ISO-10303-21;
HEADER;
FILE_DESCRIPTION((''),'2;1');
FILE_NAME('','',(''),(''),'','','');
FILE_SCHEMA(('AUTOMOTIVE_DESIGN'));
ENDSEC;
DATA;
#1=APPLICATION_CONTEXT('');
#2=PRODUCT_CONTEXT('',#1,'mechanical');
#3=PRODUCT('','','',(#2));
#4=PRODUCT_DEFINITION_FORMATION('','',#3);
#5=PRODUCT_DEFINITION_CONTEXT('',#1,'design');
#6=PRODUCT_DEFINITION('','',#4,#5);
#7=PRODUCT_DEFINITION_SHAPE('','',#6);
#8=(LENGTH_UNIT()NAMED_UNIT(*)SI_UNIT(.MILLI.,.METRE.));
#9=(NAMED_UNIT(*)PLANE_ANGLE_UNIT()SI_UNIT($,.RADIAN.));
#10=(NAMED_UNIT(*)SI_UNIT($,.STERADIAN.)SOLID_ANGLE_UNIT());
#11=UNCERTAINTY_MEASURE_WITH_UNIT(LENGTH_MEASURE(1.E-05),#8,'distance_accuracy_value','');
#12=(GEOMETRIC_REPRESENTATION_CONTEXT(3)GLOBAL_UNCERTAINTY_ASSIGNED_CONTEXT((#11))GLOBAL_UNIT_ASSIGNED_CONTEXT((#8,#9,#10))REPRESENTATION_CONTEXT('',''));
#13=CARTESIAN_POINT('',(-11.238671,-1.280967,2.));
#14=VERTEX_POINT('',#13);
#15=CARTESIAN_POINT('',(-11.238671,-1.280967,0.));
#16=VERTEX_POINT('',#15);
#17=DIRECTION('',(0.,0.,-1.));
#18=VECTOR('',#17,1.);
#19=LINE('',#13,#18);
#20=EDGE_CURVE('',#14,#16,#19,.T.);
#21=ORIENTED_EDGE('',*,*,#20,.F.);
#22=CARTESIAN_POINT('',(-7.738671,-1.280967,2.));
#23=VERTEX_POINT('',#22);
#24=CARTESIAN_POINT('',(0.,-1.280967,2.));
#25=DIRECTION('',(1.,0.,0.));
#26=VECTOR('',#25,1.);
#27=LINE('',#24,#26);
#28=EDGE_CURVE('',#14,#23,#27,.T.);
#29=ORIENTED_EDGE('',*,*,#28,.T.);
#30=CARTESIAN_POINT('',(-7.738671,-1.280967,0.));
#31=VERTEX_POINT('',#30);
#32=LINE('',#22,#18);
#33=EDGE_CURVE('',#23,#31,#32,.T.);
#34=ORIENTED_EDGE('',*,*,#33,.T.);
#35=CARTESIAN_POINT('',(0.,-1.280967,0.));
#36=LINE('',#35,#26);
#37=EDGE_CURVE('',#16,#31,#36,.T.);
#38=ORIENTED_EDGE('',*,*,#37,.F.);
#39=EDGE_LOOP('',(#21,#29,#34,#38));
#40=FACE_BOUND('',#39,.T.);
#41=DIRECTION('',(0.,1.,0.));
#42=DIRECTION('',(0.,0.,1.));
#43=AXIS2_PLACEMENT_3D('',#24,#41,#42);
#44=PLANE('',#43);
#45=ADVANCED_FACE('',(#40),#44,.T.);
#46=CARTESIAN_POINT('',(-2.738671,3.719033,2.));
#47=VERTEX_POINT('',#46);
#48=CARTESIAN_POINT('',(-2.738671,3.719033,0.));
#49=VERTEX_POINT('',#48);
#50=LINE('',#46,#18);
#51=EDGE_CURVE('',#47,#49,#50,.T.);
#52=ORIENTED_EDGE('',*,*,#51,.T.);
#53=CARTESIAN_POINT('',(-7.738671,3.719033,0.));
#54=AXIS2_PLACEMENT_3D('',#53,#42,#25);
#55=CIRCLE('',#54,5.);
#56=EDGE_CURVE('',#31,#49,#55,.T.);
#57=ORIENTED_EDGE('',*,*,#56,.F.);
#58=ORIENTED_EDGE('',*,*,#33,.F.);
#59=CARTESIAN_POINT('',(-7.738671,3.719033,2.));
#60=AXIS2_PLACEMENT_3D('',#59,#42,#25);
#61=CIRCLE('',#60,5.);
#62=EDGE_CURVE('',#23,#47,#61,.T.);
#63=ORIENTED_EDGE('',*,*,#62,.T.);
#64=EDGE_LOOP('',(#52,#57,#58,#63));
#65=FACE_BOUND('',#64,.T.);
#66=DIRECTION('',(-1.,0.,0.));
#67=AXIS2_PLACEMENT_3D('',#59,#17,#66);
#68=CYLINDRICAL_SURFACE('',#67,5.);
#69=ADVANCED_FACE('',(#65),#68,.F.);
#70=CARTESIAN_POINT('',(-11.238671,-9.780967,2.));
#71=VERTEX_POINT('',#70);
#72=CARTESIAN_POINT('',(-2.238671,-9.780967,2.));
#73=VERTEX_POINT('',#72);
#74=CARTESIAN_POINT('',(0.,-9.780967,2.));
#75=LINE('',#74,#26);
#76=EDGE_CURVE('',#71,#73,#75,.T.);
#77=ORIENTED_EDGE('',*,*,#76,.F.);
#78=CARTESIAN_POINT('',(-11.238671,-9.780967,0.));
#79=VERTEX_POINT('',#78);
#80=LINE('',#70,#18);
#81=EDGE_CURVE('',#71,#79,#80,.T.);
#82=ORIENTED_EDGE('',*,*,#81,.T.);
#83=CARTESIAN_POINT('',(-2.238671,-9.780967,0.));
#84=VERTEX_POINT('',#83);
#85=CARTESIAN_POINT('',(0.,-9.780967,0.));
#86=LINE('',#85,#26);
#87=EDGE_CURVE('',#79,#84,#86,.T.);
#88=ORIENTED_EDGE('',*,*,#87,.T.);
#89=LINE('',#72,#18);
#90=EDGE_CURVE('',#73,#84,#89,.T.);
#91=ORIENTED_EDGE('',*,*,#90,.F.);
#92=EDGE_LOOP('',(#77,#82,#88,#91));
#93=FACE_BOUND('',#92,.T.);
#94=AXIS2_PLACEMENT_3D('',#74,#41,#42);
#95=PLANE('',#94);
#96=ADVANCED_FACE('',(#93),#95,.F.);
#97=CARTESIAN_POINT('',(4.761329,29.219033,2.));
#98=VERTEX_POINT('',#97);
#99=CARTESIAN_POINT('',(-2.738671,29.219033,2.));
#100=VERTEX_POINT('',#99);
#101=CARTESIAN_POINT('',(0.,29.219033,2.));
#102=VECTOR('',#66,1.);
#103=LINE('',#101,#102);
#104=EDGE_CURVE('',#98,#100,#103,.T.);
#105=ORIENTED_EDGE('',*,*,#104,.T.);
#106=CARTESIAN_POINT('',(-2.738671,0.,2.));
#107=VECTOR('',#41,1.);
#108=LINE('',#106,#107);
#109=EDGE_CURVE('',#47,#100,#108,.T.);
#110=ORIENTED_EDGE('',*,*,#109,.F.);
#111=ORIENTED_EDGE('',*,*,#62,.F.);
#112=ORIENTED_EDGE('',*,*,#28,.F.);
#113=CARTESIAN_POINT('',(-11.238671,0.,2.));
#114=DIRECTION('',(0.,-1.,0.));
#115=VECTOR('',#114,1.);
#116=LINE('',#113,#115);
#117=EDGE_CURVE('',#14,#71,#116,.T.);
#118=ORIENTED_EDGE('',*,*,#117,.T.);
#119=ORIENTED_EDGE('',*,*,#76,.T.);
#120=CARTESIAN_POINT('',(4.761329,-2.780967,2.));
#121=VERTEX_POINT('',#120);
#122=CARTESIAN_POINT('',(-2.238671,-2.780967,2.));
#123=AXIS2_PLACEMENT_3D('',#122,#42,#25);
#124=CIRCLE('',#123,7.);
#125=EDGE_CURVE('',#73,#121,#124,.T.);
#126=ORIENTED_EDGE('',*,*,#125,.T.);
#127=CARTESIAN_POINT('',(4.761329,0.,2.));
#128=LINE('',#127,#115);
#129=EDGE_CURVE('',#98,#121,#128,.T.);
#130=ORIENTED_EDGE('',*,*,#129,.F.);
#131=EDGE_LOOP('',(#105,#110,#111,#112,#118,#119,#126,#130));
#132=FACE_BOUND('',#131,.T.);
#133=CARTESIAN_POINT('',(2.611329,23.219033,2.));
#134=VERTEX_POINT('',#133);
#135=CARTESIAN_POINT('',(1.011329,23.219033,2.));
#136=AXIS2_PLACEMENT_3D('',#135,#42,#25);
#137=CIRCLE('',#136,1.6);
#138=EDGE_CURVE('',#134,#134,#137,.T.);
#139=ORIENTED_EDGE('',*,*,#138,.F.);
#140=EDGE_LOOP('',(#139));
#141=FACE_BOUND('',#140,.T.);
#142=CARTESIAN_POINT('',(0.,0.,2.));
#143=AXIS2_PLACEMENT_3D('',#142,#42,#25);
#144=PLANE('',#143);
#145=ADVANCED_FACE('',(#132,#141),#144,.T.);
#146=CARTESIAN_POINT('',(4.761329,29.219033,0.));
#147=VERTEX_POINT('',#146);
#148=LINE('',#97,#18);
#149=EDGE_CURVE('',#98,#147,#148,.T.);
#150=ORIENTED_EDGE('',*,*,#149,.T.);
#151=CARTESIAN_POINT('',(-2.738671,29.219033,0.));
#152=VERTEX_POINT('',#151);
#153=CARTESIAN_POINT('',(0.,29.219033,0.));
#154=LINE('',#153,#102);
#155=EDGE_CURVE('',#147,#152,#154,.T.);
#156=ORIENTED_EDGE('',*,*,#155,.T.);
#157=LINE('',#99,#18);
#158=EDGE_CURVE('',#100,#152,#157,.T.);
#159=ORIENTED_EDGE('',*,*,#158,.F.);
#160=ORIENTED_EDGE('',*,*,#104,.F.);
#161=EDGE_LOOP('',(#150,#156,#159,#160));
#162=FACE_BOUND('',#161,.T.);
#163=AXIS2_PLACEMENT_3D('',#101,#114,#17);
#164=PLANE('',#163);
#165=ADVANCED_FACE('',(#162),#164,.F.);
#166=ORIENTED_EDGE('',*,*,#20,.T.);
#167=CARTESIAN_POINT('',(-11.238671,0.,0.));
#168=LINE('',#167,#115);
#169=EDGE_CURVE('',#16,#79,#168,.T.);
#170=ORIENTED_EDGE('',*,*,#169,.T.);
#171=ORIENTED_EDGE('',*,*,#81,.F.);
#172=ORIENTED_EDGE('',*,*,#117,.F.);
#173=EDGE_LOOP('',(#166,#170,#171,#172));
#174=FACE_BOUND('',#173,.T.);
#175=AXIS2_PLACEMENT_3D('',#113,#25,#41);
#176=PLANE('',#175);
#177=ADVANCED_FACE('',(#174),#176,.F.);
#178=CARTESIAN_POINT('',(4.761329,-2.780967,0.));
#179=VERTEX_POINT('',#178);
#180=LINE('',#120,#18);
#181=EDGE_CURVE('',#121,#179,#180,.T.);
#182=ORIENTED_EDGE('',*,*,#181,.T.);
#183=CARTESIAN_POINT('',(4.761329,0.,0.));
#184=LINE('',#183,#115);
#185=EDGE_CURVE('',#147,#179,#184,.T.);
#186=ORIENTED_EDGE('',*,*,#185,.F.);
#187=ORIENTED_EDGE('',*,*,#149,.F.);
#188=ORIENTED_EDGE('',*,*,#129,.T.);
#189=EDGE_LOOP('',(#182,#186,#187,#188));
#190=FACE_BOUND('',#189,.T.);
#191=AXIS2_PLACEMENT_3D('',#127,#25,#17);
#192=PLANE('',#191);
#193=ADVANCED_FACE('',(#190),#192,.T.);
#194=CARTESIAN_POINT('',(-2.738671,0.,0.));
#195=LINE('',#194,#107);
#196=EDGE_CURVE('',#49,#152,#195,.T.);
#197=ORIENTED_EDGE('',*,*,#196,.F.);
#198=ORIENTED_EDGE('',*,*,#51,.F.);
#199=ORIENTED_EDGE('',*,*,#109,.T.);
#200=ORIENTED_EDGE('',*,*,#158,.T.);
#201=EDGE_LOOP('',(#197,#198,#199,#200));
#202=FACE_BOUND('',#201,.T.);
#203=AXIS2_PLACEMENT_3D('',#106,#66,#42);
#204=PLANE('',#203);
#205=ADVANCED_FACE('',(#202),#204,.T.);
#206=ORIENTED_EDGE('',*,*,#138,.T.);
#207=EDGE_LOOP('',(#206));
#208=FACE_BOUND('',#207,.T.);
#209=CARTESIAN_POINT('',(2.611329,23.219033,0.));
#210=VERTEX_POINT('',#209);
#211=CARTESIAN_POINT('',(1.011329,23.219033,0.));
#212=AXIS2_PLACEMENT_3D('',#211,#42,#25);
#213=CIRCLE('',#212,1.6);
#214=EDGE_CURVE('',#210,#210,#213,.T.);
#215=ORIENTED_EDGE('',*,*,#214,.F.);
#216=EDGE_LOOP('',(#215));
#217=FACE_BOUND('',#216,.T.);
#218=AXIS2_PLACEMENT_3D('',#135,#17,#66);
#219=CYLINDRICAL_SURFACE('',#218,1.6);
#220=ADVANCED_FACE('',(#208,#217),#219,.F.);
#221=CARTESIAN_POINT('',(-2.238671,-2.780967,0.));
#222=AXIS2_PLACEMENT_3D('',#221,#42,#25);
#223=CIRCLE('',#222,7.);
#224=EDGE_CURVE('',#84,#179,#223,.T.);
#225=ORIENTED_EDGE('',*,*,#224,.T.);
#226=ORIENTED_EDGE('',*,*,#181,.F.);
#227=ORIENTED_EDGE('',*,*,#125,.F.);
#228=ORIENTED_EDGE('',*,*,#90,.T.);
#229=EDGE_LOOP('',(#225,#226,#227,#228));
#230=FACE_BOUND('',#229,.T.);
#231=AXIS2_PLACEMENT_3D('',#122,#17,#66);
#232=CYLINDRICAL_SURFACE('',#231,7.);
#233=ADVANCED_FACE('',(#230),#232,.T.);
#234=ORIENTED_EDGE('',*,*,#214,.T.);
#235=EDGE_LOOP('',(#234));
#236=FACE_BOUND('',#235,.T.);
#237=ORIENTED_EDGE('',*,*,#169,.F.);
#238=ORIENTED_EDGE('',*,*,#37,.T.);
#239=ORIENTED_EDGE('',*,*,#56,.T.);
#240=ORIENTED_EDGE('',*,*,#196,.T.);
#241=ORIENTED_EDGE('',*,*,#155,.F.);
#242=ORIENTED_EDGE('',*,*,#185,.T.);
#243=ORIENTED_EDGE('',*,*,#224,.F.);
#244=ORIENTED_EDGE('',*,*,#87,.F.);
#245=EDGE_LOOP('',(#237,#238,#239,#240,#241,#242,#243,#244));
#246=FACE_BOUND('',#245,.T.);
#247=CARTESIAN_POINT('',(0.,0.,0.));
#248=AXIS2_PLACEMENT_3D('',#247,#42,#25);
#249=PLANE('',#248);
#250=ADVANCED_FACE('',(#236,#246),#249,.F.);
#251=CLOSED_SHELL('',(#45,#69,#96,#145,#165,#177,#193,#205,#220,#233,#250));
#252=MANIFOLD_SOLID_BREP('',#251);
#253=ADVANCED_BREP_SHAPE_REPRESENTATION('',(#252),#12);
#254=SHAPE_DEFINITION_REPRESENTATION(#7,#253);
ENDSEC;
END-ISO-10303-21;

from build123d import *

# Parameters (mm, degrees)
SKETCH_1_R      = 1.6
EXTRUDE_1_DEPTH = 2


with BuildPart() as part:
    # 草图1 → 凸台-拉伸1 (new body)
    with BuildSketch(Plane.XY):
        with BuildLine():
            Line((-7.738670695, -1.280966767), (-11.238670695, -1.280966767))
            Line((-11.238670695, -1.280966767), (-11.238670695, -9.780966767))
            Line((-11.238670695, -9.780966767), (-2.738670695, -9.780966767))
            Line((-2.738670695, -9.780966767), (-2.238670695, -9.780966767))
            ThreePointArc((-2.238670695, -9.780966767), (2.711076773, -7.730714236), (4.761329305, -2.780966767))
            Line((4.761329305, -2.780966767), (4.761329305, -1.280966767))
            Line((4.761329305, -1.280966767), (4.761329305, 29.219033233))
            Line((4.761329305, 29.219033233), (-2.738670695, 29.219033233))
            Line((-2.738670695, 29.219033233), (-2.738670695, 3.719033233))
            ThreePointArc((-2.738670695, 3.719033233), (-4.203136789, 0.183499327), (-7.738670695, -1.280966767))
        make_face()
        with Locations((1.011329305, 23.219033233)):
            Circle(SKETCH_1_R, mode=Mode.SUBTRACT)
    extrude(amount=EXTRUDE_1_DEPTH)


solid = part.part
